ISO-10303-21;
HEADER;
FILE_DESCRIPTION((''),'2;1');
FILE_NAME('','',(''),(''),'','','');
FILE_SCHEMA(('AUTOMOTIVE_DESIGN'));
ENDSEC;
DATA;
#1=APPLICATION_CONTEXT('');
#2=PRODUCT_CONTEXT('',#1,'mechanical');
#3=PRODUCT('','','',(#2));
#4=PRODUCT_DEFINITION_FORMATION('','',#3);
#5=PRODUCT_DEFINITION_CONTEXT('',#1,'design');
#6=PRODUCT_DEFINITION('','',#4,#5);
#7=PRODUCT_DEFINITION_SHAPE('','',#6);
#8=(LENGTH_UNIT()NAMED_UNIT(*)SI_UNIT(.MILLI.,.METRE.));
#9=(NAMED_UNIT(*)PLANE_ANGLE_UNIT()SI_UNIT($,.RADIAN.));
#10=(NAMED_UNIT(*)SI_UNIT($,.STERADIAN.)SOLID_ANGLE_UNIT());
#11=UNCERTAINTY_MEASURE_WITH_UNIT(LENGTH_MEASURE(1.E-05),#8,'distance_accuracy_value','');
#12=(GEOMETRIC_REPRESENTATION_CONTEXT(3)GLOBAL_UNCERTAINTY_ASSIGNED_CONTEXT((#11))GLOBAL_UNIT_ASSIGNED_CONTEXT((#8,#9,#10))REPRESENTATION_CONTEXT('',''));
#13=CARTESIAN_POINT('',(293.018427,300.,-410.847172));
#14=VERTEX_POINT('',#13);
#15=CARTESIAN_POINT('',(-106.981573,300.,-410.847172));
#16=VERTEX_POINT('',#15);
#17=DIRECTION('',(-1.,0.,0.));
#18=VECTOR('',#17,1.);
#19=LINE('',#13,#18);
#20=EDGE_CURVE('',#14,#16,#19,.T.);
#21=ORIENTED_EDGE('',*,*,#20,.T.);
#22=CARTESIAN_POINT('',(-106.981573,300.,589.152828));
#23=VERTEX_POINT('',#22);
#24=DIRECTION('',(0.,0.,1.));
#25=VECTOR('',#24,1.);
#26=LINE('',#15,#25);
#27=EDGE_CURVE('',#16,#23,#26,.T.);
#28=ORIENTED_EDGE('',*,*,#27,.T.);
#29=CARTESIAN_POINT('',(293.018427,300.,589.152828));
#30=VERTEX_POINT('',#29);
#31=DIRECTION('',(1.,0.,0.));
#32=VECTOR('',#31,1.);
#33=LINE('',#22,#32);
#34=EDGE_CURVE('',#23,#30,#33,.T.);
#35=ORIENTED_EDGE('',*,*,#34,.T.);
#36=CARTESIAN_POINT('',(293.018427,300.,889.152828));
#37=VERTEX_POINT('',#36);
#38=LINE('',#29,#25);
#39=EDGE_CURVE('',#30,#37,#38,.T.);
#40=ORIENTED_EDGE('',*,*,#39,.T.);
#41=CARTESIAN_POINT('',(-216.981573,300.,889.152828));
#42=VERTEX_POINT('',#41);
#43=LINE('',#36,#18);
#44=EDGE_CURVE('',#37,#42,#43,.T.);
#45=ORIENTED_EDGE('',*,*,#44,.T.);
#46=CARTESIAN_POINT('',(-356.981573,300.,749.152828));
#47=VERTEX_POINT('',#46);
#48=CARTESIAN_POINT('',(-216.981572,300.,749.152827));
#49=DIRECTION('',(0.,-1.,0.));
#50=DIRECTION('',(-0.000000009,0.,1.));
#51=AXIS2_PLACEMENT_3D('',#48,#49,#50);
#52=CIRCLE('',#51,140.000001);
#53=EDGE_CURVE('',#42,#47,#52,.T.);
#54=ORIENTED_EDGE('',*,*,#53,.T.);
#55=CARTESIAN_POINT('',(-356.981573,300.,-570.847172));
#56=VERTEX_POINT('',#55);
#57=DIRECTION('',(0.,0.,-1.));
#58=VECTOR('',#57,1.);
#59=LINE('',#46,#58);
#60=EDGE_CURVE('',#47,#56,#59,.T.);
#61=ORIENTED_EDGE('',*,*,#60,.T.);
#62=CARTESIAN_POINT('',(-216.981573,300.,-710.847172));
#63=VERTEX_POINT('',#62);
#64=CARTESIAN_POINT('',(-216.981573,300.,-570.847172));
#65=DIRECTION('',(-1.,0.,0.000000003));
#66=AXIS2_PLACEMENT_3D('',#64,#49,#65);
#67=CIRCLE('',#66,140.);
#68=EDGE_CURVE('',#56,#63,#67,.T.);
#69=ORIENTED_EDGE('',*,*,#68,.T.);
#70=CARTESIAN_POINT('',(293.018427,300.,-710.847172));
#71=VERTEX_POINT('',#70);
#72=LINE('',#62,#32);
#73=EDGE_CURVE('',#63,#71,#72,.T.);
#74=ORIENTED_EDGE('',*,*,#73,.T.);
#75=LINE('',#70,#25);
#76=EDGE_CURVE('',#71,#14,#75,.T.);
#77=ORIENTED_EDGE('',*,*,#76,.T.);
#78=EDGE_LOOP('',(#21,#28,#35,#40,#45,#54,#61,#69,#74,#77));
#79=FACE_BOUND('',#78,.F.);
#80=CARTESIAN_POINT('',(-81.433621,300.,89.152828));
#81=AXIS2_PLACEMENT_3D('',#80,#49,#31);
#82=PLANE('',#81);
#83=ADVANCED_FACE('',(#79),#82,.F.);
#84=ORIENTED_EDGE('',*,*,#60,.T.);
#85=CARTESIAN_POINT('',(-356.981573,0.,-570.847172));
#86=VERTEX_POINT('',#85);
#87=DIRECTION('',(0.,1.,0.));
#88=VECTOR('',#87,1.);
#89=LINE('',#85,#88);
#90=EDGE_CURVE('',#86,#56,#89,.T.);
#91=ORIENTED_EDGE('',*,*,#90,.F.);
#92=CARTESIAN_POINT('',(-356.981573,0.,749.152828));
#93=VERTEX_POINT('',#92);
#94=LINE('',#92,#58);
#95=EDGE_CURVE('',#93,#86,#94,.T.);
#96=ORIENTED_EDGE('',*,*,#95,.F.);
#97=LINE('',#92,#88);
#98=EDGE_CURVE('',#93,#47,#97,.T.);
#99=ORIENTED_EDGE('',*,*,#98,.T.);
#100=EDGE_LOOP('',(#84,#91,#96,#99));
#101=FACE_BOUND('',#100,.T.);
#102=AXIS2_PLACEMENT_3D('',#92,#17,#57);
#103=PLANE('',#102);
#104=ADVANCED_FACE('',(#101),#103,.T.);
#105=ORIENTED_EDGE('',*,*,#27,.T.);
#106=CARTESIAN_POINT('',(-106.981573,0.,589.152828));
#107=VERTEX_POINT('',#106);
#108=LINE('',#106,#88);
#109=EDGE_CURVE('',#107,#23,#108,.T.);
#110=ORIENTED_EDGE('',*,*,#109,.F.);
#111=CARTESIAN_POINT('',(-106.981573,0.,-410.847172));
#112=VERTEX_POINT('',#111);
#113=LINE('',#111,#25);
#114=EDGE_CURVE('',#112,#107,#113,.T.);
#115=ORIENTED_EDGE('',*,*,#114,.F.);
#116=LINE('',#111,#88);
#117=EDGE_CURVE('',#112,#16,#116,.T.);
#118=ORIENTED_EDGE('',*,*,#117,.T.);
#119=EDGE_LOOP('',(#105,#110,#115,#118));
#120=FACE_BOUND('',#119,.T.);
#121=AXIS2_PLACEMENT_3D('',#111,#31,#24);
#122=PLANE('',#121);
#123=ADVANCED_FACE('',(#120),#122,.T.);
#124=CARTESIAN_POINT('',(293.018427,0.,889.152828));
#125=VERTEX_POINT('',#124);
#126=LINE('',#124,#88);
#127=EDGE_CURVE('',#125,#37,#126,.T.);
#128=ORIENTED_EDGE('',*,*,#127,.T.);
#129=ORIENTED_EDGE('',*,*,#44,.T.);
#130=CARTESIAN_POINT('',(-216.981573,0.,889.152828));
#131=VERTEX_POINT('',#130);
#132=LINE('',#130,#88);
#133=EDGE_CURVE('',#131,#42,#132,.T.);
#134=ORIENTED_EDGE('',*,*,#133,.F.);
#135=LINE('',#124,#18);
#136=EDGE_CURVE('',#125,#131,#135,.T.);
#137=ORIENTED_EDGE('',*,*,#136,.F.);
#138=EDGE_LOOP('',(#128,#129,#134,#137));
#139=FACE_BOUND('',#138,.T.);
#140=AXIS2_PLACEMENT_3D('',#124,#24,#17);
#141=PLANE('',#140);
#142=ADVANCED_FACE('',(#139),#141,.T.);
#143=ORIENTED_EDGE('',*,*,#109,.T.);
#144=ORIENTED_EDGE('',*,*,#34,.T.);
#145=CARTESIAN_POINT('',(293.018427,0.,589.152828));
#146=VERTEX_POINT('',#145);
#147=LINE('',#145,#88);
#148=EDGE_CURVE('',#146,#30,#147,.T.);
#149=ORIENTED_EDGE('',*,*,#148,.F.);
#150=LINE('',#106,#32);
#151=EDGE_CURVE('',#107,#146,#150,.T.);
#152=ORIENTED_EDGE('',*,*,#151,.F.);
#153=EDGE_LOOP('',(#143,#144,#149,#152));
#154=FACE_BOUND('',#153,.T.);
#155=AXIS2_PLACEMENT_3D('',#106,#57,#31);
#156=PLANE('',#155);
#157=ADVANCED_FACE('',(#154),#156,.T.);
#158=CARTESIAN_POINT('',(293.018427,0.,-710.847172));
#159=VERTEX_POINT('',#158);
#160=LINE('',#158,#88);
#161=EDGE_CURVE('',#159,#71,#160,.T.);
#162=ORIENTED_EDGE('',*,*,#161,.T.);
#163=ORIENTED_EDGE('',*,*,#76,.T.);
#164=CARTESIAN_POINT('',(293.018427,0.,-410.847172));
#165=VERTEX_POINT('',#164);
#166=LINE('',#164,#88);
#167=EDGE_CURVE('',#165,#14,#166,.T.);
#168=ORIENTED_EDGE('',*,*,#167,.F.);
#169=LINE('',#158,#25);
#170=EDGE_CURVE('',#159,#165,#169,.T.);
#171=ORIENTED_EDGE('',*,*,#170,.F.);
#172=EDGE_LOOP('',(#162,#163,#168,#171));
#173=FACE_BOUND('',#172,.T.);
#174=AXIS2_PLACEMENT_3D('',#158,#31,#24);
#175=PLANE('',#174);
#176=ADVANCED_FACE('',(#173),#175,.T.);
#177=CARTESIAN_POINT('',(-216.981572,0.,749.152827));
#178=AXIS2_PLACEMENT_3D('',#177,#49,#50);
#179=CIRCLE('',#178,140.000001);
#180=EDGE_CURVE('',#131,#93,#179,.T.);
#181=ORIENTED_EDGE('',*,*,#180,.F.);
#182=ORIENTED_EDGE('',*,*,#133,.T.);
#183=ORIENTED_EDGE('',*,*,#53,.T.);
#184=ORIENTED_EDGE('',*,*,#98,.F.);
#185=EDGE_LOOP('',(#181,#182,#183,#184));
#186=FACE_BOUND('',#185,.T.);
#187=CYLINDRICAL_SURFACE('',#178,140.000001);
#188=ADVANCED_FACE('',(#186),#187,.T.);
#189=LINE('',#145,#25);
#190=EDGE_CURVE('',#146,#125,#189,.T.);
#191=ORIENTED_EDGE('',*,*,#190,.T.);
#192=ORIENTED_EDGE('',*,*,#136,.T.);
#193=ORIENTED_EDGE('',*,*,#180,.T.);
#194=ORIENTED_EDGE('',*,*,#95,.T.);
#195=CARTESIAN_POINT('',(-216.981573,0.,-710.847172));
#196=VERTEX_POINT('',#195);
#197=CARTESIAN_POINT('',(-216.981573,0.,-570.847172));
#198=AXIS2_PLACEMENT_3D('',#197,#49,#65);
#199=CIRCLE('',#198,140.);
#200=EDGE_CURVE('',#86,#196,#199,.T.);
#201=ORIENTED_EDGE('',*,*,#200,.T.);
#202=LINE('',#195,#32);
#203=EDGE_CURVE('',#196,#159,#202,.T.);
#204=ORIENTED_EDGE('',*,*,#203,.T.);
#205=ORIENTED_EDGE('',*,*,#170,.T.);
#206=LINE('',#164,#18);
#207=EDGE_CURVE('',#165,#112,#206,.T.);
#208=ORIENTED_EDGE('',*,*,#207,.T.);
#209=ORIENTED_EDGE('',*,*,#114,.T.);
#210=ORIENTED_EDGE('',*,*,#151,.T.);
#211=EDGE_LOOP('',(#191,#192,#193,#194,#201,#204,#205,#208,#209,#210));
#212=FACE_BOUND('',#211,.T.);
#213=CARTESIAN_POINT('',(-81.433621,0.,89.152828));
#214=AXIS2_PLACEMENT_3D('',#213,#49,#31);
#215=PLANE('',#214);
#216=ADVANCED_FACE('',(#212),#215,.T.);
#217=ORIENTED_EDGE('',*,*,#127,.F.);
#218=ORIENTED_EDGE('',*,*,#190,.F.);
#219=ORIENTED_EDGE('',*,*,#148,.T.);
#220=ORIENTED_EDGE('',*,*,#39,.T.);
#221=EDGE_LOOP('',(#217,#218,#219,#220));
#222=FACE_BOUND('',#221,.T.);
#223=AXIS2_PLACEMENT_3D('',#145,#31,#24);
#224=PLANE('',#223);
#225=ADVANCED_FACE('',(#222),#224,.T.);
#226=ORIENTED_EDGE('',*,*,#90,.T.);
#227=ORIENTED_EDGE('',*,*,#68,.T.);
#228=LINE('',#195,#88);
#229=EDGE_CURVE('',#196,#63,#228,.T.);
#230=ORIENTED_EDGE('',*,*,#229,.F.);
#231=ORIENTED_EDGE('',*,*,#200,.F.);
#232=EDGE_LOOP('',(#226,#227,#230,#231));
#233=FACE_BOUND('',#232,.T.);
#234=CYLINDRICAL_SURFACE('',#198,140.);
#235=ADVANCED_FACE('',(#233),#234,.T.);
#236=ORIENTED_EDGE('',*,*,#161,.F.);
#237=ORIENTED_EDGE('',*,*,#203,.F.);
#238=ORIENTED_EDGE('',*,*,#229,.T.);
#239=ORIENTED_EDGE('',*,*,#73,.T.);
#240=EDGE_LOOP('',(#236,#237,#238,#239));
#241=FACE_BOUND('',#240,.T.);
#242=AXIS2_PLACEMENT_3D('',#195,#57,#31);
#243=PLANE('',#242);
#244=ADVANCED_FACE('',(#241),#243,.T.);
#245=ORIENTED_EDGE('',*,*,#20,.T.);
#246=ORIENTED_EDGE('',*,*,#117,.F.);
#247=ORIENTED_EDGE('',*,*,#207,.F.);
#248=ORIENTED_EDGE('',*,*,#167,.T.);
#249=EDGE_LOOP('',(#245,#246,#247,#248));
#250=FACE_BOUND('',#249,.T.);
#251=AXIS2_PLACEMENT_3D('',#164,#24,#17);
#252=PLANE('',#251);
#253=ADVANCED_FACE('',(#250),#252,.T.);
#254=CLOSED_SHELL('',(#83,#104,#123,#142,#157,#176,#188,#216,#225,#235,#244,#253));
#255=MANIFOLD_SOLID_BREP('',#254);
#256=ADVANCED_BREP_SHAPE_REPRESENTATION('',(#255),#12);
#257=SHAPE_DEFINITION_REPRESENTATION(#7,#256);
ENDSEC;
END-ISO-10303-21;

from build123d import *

# Parameters (mm, degrees)
F1_DEPTH = 300


with BuildPart() as f1:
    # F0 (on Front) → F1 (new body)
    with BuildSketch(Plane.XZ):
        with BuildLine():
            ThreePointArc((-216.981573, 889.152828), (-315.976522, 848.147777), (-356.981573, 749.152828))
            Line((-356.981573, 749.152828), (-356.981573, -570.847172))
            ThreePointArc((-356.981573, -570.847172), (-315.976522, -669.842122), (-216.981573, -710.847172))
            Line((-216.981573, -710.847172), (293.018427, -710.847172))
            Line((293.018427, -710.847172), (293.018427, -410.847172))
            Line((293.018427, -410.847172), (-106.981573, -410.847172))
            Line((-106.981573, -410.847172), (-106.981573, 589.152828))
            Line((-106.981573, 589.152828), (293.018427, 589.152828))
            Line((293.018427, 589.152828), (293.018427, 889.152828))
            Line((293.018427, 889.152828), (-216.981573, 889.152828))
        make_face()
    extrude(amount=-F1_DEPTH)


solid = f1.part
